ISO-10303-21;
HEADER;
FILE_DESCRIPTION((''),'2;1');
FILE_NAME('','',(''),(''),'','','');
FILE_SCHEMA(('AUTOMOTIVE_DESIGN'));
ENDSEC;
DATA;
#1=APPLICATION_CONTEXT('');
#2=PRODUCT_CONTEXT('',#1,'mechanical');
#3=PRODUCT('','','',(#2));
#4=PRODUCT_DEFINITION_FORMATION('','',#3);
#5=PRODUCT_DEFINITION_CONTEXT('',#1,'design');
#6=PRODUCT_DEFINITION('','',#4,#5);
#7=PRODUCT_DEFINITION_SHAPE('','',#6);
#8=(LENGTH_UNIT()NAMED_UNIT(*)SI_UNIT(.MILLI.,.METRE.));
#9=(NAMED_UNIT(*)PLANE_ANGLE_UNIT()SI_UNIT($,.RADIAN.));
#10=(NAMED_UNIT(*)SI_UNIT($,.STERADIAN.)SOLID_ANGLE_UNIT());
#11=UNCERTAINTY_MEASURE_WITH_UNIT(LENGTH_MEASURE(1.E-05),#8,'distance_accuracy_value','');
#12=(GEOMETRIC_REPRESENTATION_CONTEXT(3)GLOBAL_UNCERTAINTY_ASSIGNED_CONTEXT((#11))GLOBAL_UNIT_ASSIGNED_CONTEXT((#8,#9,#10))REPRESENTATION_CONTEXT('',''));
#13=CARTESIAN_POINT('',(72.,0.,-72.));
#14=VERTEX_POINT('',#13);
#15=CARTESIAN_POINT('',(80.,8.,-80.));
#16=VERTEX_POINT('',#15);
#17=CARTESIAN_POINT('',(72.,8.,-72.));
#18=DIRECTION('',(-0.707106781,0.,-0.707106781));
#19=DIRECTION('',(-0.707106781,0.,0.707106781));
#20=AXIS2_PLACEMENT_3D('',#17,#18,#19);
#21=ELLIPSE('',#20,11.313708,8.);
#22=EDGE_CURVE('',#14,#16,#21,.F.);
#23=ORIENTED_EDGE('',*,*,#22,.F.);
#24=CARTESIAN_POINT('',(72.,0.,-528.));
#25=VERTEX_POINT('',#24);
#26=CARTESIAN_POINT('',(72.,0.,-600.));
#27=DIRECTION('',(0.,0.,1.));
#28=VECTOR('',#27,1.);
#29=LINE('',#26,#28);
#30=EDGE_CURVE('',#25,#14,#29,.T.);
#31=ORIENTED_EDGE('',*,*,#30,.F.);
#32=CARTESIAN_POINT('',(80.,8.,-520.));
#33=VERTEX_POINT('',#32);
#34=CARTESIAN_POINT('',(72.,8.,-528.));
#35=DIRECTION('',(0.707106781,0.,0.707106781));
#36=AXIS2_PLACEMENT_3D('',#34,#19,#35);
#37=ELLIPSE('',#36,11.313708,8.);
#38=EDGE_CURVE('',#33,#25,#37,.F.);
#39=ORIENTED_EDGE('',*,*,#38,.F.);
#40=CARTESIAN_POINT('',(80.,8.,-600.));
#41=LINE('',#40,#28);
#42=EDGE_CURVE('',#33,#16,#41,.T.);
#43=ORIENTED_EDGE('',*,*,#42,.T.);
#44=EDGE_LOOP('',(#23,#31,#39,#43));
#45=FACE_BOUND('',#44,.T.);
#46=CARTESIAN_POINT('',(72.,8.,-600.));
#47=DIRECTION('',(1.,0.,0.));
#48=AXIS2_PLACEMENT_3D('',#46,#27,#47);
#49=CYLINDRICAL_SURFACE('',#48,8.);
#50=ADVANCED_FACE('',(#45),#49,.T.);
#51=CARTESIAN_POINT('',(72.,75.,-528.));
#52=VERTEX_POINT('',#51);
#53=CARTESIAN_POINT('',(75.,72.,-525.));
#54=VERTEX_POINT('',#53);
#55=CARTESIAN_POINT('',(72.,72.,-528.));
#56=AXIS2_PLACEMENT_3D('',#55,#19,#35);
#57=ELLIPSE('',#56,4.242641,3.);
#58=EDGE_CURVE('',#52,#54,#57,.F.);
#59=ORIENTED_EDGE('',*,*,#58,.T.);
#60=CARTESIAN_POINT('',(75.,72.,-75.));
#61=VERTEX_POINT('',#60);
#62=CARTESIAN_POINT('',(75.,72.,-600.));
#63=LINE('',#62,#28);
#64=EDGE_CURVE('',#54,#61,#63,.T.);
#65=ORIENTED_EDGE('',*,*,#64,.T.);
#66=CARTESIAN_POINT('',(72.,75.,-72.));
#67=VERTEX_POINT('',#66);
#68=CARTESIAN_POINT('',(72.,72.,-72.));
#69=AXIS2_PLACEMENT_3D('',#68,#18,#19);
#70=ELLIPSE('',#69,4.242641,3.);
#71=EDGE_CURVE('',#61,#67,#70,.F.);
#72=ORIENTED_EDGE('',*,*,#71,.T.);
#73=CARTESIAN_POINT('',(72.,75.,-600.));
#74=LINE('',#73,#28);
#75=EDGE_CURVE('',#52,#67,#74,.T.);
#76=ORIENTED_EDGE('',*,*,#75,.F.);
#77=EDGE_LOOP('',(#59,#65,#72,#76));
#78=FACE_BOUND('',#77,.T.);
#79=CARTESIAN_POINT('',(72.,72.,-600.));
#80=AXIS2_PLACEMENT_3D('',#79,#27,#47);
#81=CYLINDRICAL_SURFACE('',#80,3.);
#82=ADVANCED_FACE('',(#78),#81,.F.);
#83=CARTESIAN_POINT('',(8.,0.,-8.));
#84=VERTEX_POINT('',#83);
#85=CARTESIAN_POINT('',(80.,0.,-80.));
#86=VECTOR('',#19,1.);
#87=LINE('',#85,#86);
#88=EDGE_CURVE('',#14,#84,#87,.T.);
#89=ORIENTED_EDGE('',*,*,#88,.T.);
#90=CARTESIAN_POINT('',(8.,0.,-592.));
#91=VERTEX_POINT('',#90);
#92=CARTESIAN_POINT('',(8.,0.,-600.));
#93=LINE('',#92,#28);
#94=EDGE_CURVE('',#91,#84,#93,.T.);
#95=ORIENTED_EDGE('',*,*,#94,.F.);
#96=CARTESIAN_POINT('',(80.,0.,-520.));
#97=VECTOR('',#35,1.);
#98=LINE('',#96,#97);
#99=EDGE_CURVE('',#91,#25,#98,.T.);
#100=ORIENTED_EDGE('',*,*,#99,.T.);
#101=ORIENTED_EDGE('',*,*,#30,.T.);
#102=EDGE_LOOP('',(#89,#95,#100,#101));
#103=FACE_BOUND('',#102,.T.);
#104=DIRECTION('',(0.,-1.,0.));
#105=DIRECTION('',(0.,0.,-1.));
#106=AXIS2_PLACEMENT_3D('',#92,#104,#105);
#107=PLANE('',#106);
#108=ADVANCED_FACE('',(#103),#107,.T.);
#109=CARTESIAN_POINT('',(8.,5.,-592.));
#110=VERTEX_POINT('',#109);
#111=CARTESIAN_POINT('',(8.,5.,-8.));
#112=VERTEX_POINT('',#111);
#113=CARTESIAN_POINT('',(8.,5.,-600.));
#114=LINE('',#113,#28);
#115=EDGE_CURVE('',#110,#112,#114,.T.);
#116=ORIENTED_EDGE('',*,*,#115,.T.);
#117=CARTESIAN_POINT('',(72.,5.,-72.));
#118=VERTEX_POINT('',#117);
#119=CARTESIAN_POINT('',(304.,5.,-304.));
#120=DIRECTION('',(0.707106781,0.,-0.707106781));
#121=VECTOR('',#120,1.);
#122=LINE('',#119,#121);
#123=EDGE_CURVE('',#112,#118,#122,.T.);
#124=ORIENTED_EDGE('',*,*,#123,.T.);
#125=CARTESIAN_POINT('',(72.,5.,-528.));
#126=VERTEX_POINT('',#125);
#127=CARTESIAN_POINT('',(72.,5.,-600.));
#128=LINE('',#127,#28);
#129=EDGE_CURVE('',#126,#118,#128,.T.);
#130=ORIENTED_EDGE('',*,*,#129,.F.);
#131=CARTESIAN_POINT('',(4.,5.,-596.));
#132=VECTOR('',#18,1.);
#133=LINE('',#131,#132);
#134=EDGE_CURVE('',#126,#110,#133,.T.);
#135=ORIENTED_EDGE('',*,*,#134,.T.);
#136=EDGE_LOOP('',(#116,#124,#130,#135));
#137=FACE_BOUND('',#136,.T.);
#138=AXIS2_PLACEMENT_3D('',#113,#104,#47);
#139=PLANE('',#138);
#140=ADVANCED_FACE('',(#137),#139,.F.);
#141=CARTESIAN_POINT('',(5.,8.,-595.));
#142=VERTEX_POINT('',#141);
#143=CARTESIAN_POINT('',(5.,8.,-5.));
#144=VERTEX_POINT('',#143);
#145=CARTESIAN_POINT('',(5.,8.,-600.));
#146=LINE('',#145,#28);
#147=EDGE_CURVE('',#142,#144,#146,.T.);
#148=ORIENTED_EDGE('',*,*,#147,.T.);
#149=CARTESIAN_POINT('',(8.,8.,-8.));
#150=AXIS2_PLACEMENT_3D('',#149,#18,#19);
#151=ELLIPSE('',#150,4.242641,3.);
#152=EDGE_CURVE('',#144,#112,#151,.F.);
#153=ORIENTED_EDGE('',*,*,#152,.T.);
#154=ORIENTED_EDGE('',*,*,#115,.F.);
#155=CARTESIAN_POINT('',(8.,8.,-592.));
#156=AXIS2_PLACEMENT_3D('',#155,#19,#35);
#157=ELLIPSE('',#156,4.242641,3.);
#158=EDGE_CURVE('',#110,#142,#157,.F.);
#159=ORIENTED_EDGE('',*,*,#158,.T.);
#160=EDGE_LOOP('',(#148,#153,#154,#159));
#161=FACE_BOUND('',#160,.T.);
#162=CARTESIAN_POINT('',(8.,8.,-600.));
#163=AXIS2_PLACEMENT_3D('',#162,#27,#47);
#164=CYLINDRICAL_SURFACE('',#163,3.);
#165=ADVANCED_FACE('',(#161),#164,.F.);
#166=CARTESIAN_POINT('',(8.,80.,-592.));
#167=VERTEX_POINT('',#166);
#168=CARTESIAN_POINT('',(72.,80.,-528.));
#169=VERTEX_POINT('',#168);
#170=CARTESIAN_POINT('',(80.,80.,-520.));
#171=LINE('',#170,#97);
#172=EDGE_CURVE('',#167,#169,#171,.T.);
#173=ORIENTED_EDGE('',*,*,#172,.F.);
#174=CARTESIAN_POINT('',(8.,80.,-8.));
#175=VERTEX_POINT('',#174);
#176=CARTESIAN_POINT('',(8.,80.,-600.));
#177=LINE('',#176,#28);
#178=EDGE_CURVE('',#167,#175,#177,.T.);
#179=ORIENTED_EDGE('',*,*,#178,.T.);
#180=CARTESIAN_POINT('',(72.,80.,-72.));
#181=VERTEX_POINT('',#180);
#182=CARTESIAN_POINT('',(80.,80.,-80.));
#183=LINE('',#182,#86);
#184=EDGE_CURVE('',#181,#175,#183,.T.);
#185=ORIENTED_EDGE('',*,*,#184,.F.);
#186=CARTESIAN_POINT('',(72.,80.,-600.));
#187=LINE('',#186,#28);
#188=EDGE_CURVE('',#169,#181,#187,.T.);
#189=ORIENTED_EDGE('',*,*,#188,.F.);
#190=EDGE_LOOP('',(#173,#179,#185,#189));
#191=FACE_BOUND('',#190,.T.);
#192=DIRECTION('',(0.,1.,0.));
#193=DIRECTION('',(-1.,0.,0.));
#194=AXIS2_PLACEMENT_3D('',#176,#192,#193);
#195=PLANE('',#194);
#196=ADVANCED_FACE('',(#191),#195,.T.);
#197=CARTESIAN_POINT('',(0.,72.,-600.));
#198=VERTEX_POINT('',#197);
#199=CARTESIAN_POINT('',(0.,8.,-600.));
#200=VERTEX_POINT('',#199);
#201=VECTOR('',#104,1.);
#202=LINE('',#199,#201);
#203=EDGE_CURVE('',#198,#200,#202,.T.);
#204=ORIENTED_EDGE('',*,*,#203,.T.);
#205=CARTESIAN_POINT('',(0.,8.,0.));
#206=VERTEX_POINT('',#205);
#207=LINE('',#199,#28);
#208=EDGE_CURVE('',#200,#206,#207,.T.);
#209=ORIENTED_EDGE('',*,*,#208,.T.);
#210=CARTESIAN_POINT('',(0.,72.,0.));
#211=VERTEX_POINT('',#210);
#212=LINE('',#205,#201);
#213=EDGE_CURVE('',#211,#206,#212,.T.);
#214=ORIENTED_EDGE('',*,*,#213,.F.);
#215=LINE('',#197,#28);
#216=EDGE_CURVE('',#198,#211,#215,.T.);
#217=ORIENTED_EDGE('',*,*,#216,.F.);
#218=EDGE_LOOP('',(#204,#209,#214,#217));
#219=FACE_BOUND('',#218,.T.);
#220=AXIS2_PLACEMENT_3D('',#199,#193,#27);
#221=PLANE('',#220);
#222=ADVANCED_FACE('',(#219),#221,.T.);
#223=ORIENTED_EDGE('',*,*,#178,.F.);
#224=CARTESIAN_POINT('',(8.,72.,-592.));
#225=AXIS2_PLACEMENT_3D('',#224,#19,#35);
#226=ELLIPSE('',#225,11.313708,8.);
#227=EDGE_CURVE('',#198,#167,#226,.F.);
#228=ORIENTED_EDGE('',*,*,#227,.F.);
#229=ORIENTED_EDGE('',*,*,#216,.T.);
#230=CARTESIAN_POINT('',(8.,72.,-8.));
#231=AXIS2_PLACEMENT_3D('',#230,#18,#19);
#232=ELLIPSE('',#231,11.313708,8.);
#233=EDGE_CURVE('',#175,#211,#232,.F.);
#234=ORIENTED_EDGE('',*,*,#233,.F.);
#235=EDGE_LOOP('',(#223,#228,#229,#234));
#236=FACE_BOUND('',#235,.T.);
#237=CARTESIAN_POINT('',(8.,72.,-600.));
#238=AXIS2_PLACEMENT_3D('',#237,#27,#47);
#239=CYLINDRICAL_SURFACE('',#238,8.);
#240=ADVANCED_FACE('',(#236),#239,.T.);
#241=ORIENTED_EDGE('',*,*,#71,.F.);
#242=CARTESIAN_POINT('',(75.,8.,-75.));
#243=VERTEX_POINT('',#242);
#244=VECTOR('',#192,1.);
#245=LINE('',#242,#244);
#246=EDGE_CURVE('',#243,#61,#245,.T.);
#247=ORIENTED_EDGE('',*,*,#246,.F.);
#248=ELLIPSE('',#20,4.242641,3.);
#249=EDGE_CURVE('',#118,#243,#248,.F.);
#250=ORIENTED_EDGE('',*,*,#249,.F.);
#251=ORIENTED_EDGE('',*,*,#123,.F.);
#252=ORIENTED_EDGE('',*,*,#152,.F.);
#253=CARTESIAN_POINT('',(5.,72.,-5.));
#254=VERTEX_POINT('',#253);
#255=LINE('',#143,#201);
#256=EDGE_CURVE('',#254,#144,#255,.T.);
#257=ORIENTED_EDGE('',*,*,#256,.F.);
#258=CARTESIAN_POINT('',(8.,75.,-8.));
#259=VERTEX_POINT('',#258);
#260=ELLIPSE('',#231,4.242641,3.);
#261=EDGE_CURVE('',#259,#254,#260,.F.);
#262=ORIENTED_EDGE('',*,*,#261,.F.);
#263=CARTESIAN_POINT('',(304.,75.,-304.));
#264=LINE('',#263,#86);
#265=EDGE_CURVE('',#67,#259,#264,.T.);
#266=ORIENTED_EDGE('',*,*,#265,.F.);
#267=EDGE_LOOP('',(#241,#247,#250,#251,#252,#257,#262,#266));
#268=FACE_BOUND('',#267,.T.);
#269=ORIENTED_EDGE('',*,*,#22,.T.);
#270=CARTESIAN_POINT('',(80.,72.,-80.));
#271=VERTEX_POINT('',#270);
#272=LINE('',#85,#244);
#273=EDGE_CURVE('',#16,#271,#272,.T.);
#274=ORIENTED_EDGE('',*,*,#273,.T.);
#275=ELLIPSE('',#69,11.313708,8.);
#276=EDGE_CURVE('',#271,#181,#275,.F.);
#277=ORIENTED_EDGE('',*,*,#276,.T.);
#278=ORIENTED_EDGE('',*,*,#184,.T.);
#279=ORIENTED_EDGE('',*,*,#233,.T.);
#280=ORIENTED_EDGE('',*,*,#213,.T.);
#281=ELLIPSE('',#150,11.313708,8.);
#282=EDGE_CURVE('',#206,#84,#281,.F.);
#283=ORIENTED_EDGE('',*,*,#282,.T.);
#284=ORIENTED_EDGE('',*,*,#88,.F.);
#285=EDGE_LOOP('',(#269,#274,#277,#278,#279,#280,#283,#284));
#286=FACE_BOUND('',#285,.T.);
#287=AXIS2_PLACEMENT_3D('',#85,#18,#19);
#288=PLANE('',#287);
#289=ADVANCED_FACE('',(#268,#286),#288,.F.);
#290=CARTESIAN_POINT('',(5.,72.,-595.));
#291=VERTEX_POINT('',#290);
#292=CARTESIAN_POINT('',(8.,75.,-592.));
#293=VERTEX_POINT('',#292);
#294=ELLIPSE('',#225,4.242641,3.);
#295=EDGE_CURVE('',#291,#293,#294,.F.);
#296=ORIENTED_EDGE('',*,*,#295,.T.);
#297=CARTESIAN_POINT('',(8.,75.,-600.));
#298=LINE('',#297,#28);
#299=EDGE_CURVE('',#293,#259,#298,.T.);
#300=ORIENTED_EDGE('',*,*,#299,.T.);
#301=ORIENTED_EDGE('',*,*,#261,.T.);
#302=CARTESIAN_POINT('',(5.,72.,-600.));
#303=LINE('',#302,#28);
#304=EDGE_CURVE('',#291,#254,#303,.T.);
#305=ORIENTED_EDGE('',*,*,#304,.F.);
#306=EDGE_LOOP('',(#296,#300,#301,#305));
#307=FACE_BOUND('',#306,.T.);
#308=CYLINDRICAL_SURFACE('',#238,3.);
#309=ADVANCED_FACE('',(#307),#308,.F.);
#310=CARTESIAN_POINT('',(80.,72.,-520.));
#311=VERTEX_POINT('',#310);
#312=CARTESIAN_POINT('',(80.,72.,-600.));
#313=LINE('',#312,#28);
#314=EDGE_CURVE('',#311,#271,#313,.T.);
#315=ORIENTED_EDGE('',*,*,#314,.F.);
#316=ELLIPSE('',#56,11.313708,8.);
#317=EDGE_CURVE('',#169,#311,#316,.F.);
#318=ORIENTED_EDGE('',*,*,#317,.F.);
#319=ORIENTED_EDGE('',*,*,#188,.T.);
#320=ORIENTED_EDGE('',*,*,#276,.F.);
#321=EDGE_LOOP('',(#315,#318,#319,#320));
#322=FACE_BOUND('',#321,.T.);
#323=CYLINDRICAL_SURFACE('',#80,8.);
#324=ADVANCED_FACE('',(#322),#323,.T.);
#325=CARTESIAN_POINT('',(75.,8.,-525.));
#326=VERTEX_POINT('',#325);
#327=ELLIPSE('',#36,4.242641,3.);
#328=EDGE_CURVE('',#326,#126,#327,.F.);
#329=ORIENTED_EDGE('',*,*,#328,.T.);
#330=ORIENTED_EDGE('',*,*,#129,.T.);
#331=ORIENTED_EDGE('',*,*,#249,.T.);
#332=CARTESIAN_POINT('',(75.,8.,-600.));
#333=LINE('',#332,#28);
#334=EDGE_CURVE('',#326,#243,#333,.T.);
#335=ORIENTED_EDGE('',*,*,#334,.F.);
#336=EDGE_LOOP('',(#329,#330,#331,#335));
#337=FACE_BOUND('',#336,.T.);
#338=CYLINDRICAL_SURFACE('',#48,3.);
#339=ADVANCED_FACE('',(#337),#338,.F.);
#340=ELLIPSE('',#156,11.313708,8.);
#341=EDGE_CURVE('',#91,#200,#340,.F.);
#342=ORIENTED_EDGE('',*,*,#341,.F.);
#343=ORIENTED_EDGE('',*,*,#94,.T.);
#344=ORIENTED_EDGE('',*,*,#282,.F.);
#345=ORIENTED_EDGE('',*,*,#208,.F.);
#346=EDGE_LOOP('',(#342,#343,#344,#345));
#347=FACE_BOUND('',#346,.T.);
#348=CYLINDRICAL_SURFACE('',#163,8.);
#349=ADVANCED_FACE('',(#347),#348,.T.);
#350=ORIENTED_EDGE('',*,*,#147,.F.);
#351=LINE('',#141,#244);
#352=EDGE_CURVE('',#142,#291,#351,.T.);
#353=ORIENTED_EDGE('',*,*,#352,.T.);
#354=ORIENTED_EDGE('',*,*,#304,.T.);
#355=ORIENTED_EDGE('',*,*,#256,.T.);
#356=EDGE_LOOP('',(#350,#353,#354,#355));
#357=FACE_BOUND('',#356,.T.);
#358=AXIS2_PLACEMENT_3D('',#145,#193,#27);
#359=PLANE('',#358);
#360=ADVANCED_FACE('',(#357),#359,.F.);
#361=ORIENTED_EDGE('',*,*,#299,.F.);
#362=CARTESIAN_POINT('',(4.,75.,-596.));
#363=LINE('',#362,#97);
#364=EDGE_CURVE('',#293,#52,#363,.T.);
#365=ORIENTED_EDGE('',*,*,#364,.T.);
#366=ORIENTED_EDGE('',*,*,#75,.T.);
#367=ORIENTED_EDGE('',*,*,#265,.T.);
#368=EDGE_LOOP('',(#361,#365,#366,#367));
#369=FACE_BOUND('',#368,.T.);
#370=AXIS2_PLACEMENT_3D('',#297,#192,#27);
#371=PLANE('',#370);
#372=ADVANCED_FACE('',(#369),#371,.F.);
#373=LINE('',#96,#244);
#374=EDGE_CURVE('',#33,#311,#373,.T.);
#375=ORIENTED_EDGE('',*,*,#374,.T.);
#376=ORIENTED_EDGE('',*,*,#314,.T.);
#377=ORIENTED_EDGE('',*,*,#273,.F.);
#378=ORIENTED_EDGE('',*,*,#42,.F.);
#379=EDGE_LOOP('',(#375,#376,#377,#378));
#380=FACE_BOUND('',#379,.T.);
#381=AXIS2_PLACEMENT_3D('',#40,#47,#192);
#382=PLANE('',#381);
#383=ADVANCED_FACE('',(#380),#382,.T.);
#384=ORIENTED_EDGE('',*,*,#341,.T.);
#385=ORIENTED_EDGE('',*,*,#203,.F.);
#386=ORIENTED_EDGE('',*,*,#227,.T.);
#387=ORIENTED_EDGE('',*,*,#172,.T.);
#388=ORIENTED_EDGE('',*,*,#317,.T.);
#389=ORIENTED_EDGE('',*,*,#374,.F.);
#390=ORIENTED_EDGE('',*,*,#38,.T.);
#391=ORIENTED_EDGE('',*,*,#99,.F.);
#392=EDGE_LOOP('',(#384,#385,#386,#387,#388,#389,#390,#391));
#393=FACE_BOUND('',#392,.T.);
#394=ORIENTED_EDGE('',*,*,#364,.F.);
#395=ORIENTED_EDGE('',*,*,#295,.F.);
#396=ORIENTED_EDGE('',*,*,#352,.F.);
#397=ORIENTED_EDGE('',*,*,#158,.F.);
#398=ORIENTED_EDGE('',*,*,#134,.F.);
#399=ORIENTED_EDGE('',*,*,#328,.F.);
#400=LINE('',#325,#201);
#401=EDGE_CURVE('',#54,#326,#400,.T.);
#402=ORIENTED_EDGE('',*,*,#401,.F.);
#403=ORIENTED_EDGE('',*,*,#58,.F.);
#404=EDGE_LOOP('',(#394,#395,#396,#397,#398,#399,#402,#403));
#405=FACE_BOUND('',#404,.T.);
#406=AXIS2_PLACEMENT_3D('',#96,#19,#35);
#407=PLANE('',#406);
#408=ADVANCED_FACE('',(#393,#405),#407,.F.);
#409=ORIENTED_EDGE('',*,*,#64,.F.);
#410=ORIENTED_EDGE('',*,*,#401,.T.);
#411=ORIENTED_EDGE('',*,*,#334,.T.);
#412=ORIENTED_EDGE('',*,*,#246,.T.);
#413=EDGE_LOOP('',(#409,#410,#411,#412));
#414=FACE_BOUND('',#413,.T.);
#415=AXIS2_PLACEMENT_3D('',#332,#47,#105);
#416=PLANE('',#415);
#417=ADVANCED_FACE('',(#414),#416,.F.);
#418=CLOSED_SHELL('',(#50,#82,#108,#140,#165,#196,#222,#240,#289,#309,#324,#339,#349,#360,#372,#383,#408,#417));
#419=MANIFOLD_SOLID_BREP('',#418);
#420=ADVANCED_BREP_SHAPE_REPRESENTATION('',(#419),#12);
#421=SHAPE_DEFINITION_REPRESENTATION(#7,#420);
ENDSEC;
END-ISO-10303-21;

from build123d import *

# Parameters (mm, degrees)
DODANIE_WYCI_GNI_CIE1_DEPTH = 600
WYTNIJ_WYCI_GNI_CIE1_DEPTH  = 611.573500899


with BuildPart() as part:
    # Szkic1 → Dodanie-wyciągnięcie1 (new body)
    with BuildSketch(Plane.XY):
        with BuildLine():
            Line((8, 0), (72, 0))
            ThreePointArc((72, 0), (77.656854249, 2.343145751), (80, 8))
            Line((80, 8), (80, 72))
            ThreePointArc((80, 72), (77.656854249, 77.656854249), (72, 80))
            Line((72, 80), (8, 80))
            ThreePointArc((8, 80), (2.343145751, 77.656854249), (0, 72))
            Line((0, 72), (0, 8))
            ThreePointArc((0, 8), (2.343145751, 2.343145751), (8, 0))
        make_face()
        with BuildLine():
            Line((8, 75), (72, 75))
            ThreePointArc((72, 75), (74.121320344, 74.121320344), (75, 72))
            Line((75, 72), (75, 8))
            ThreePointArc((75, 8), (74.121320344, 5.878679656), (72, 5))
            Line((72, 5), (8, 5))
            ThreePointArc((8, 5), (5.878679656, 5.878679656), (5, 8))
            Line((5, 8), (5, 72))
            ThreePointArc((5, 72), (5.878679656, 74.121320344), (8, 75))
        make_face(mode=Mode.SUBTRACT)
    extrude(amount=-DODANIE_WYCI_GNI_CIE1_DEPTH)

    # Szkic2 → Wytnij-wyciągnięcie1 (cut, through all)
    with BuildSketch(Plane(origin=(0, 80, 0), x_dir=(1, 0, 0), z_dir=(0, 1, 0))):
        Polygon((0, 0), (80, 0), (80, 80), align=None)
        Polygon((80, 520), (0, 600), (80, 600), align=None)
    extrude(amount=-WYTNIJ_WYCI_GNI_CIE1_DEPTH, mode=Mode.SUBTRACT)


solid = part.part
